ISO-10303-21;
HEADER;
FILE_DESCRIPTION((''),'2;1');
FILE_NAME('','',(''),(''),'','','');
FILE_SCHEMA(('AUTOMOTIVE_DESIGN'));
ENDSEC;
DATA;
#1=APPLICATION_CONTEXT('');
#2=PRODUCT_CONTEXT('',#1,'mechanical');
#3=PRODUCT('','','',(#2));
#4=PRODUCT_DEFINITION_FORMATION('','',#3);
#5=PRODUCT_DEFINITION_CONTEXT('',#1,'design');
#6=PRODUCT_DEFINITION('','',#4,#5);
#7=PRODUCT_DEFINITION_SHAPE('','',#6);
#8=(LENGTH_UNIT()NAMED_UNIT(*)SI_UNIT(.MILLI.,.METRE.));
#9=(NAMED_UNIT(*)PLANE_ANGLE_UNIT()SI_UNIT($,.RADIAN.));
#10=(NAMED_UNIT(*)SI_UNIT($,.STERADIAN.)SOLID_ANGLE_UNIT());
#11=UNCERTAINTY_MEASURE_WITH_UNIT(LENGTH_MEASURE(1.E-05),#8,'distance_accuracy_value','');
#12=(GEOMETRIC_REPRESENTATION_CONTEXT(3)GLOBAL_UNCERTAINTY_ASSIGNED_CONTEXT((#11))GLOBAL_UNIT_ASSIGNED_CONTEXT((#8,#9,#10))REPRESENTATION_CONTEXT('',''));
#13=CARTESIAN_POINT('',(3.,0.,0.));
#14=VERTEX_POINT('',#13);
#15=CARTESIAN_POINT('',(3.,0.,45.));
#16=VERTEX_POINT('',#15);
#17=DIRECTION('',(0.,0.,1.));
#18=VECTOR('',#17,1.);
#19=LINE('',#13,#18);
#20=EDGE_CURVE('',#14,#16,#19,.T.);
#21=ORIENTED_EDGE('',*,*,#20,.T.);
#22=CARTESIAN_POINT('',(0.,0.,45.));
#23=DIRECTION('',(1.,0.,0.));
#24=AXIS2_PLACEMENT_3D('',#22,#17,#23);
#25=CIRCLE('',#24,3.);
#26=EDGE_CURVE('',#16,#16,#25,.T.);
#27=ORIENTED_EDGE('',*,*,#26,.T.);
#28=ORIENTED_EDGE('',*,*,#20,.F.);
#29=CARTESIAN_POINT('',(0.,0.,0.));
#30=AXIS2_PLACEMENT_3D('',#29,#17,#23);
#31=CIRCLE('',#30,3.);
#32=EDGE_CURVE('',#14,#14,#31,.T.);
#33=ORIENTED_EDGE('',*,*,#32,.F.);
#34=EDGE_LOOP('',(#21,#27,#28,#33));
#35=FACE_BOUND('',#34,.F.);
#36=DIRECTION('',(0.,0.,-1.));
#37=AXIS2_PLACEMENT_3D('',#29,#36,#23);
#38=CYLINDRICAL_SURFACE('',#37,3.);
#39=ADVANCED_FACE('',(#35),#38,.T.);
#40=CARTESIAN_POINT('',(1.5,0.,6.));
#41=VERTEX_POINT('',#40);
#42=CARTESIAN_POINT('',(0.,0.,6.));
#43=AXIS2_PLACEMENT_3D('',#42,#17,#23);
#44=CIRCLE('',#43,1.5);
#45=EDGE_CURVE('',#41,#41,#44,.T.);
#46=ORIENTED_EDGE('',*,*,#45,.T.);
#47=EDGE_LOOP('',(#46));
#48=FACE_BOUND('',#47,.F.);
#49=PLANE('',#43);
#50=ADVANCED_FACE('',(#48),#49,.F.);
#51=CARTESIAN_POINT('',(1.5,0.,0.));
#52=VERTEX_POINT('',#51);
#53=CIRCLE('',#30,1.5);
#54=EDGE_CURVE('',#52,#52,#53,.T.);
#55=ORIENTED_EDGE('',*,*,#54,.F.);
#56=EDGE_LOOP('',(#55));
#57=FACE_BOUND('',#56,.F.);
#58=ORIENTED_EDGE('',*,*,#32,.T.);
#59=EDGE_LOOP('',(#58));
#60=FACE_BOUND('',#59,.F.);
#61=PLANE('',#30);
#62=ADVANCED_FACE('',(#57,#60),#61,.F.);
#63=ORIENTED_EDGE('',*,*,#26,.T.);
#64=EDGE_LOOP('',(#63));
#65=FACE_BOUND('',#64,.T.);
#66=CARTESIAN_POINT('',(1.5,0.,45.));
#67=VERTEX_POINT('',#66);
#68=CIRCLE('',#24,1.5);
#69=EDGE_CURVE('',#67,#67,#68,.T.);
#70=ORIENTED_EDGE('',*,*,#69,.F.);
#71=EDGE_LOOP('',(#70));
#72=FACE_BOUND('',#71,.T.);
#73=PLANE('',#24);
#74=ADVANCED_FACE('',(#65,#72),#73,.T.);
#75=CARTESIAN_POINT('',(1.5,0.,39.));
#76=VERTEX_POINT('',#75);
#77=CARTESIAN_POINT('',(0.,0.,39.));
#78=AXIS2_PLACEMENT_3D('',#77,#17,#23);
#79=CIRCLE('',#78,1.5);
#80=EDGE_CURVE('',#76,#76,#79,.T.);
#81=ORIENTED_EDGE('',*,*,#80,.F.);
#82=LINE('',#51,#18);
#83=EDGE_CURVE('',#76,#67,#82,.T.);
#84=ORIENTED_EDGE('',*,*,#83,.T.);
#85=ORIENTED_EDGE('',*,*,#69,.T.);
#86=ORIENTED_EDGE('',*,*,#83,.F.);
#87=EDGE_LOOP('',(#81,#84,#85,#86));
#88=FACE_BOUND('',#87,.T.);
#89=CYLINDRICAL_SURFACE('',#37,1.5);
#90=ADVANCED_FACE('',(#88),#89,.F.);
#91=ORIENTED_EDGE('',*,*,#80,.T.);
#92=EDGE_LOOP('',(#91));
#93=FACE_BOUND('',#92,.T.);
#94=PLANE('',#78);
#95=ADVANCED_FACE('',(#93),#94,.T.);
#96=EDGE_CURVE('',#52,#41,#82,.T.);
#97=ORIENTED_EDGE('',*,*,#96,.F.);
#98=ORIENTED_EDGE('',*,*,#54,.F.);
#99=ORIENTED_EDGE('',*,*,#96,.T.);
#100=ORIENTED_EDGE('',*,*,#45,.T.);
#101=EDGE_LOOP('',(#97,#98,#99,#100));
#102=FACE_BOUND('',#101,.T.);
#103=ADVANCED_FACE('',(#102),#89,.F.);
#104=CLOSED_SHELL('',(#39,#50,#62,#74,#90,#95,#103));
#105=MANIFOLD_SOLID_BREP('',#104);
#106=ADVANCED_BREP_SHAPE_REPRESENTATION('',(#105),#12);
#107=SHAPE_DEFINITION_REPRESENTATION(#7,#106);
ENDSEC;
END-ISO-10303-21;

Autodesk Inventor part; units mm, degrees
ref_plane "YZ Plane" through (0, 0, 0) normal (1, 0, 0) x (0, 1, 0)
ref_plane "XZ Plane" through (0, 0, 0) normal (0, 1, 0) x (-1, 0, 0)
sketch "スケッチ1" plane through (0, 0, 0) normal (0, 0, 1) x (1, 0, 0)
  circle A0 centre (0, 0) radius 3
  circle A1 centre (0, 0) radius 1.5
  dimension "d0" = 6
  dimension "d1" = 3
extrude "押し出し1" add sketch "スケッチ1" along normal blind 45
ref_plane "作業平面1" through (0, 0, 39) normal (0, 0, 1) x (1, 0, 0)
sketch "スケッチ2" plane through (0, 0, 39) normal (0, 0, 1) x (1, 0, 0)
  point P0 (0, 0)
sketch "スケッチ3" plane through (0, 0, 39) normal (0, 0, 1) x (1, 0, 0)
  circle A0 centre (0, 0) radius 1.5 projected
  circle A1 centre (0, 0) radius 3 projected
extrude "押し出し2" add sketch "スケッチ3" against normal blind 33 contours A0
properties part number "ABSスペーサーm3-45　簡易筒型" material "ABS プラスチック"
